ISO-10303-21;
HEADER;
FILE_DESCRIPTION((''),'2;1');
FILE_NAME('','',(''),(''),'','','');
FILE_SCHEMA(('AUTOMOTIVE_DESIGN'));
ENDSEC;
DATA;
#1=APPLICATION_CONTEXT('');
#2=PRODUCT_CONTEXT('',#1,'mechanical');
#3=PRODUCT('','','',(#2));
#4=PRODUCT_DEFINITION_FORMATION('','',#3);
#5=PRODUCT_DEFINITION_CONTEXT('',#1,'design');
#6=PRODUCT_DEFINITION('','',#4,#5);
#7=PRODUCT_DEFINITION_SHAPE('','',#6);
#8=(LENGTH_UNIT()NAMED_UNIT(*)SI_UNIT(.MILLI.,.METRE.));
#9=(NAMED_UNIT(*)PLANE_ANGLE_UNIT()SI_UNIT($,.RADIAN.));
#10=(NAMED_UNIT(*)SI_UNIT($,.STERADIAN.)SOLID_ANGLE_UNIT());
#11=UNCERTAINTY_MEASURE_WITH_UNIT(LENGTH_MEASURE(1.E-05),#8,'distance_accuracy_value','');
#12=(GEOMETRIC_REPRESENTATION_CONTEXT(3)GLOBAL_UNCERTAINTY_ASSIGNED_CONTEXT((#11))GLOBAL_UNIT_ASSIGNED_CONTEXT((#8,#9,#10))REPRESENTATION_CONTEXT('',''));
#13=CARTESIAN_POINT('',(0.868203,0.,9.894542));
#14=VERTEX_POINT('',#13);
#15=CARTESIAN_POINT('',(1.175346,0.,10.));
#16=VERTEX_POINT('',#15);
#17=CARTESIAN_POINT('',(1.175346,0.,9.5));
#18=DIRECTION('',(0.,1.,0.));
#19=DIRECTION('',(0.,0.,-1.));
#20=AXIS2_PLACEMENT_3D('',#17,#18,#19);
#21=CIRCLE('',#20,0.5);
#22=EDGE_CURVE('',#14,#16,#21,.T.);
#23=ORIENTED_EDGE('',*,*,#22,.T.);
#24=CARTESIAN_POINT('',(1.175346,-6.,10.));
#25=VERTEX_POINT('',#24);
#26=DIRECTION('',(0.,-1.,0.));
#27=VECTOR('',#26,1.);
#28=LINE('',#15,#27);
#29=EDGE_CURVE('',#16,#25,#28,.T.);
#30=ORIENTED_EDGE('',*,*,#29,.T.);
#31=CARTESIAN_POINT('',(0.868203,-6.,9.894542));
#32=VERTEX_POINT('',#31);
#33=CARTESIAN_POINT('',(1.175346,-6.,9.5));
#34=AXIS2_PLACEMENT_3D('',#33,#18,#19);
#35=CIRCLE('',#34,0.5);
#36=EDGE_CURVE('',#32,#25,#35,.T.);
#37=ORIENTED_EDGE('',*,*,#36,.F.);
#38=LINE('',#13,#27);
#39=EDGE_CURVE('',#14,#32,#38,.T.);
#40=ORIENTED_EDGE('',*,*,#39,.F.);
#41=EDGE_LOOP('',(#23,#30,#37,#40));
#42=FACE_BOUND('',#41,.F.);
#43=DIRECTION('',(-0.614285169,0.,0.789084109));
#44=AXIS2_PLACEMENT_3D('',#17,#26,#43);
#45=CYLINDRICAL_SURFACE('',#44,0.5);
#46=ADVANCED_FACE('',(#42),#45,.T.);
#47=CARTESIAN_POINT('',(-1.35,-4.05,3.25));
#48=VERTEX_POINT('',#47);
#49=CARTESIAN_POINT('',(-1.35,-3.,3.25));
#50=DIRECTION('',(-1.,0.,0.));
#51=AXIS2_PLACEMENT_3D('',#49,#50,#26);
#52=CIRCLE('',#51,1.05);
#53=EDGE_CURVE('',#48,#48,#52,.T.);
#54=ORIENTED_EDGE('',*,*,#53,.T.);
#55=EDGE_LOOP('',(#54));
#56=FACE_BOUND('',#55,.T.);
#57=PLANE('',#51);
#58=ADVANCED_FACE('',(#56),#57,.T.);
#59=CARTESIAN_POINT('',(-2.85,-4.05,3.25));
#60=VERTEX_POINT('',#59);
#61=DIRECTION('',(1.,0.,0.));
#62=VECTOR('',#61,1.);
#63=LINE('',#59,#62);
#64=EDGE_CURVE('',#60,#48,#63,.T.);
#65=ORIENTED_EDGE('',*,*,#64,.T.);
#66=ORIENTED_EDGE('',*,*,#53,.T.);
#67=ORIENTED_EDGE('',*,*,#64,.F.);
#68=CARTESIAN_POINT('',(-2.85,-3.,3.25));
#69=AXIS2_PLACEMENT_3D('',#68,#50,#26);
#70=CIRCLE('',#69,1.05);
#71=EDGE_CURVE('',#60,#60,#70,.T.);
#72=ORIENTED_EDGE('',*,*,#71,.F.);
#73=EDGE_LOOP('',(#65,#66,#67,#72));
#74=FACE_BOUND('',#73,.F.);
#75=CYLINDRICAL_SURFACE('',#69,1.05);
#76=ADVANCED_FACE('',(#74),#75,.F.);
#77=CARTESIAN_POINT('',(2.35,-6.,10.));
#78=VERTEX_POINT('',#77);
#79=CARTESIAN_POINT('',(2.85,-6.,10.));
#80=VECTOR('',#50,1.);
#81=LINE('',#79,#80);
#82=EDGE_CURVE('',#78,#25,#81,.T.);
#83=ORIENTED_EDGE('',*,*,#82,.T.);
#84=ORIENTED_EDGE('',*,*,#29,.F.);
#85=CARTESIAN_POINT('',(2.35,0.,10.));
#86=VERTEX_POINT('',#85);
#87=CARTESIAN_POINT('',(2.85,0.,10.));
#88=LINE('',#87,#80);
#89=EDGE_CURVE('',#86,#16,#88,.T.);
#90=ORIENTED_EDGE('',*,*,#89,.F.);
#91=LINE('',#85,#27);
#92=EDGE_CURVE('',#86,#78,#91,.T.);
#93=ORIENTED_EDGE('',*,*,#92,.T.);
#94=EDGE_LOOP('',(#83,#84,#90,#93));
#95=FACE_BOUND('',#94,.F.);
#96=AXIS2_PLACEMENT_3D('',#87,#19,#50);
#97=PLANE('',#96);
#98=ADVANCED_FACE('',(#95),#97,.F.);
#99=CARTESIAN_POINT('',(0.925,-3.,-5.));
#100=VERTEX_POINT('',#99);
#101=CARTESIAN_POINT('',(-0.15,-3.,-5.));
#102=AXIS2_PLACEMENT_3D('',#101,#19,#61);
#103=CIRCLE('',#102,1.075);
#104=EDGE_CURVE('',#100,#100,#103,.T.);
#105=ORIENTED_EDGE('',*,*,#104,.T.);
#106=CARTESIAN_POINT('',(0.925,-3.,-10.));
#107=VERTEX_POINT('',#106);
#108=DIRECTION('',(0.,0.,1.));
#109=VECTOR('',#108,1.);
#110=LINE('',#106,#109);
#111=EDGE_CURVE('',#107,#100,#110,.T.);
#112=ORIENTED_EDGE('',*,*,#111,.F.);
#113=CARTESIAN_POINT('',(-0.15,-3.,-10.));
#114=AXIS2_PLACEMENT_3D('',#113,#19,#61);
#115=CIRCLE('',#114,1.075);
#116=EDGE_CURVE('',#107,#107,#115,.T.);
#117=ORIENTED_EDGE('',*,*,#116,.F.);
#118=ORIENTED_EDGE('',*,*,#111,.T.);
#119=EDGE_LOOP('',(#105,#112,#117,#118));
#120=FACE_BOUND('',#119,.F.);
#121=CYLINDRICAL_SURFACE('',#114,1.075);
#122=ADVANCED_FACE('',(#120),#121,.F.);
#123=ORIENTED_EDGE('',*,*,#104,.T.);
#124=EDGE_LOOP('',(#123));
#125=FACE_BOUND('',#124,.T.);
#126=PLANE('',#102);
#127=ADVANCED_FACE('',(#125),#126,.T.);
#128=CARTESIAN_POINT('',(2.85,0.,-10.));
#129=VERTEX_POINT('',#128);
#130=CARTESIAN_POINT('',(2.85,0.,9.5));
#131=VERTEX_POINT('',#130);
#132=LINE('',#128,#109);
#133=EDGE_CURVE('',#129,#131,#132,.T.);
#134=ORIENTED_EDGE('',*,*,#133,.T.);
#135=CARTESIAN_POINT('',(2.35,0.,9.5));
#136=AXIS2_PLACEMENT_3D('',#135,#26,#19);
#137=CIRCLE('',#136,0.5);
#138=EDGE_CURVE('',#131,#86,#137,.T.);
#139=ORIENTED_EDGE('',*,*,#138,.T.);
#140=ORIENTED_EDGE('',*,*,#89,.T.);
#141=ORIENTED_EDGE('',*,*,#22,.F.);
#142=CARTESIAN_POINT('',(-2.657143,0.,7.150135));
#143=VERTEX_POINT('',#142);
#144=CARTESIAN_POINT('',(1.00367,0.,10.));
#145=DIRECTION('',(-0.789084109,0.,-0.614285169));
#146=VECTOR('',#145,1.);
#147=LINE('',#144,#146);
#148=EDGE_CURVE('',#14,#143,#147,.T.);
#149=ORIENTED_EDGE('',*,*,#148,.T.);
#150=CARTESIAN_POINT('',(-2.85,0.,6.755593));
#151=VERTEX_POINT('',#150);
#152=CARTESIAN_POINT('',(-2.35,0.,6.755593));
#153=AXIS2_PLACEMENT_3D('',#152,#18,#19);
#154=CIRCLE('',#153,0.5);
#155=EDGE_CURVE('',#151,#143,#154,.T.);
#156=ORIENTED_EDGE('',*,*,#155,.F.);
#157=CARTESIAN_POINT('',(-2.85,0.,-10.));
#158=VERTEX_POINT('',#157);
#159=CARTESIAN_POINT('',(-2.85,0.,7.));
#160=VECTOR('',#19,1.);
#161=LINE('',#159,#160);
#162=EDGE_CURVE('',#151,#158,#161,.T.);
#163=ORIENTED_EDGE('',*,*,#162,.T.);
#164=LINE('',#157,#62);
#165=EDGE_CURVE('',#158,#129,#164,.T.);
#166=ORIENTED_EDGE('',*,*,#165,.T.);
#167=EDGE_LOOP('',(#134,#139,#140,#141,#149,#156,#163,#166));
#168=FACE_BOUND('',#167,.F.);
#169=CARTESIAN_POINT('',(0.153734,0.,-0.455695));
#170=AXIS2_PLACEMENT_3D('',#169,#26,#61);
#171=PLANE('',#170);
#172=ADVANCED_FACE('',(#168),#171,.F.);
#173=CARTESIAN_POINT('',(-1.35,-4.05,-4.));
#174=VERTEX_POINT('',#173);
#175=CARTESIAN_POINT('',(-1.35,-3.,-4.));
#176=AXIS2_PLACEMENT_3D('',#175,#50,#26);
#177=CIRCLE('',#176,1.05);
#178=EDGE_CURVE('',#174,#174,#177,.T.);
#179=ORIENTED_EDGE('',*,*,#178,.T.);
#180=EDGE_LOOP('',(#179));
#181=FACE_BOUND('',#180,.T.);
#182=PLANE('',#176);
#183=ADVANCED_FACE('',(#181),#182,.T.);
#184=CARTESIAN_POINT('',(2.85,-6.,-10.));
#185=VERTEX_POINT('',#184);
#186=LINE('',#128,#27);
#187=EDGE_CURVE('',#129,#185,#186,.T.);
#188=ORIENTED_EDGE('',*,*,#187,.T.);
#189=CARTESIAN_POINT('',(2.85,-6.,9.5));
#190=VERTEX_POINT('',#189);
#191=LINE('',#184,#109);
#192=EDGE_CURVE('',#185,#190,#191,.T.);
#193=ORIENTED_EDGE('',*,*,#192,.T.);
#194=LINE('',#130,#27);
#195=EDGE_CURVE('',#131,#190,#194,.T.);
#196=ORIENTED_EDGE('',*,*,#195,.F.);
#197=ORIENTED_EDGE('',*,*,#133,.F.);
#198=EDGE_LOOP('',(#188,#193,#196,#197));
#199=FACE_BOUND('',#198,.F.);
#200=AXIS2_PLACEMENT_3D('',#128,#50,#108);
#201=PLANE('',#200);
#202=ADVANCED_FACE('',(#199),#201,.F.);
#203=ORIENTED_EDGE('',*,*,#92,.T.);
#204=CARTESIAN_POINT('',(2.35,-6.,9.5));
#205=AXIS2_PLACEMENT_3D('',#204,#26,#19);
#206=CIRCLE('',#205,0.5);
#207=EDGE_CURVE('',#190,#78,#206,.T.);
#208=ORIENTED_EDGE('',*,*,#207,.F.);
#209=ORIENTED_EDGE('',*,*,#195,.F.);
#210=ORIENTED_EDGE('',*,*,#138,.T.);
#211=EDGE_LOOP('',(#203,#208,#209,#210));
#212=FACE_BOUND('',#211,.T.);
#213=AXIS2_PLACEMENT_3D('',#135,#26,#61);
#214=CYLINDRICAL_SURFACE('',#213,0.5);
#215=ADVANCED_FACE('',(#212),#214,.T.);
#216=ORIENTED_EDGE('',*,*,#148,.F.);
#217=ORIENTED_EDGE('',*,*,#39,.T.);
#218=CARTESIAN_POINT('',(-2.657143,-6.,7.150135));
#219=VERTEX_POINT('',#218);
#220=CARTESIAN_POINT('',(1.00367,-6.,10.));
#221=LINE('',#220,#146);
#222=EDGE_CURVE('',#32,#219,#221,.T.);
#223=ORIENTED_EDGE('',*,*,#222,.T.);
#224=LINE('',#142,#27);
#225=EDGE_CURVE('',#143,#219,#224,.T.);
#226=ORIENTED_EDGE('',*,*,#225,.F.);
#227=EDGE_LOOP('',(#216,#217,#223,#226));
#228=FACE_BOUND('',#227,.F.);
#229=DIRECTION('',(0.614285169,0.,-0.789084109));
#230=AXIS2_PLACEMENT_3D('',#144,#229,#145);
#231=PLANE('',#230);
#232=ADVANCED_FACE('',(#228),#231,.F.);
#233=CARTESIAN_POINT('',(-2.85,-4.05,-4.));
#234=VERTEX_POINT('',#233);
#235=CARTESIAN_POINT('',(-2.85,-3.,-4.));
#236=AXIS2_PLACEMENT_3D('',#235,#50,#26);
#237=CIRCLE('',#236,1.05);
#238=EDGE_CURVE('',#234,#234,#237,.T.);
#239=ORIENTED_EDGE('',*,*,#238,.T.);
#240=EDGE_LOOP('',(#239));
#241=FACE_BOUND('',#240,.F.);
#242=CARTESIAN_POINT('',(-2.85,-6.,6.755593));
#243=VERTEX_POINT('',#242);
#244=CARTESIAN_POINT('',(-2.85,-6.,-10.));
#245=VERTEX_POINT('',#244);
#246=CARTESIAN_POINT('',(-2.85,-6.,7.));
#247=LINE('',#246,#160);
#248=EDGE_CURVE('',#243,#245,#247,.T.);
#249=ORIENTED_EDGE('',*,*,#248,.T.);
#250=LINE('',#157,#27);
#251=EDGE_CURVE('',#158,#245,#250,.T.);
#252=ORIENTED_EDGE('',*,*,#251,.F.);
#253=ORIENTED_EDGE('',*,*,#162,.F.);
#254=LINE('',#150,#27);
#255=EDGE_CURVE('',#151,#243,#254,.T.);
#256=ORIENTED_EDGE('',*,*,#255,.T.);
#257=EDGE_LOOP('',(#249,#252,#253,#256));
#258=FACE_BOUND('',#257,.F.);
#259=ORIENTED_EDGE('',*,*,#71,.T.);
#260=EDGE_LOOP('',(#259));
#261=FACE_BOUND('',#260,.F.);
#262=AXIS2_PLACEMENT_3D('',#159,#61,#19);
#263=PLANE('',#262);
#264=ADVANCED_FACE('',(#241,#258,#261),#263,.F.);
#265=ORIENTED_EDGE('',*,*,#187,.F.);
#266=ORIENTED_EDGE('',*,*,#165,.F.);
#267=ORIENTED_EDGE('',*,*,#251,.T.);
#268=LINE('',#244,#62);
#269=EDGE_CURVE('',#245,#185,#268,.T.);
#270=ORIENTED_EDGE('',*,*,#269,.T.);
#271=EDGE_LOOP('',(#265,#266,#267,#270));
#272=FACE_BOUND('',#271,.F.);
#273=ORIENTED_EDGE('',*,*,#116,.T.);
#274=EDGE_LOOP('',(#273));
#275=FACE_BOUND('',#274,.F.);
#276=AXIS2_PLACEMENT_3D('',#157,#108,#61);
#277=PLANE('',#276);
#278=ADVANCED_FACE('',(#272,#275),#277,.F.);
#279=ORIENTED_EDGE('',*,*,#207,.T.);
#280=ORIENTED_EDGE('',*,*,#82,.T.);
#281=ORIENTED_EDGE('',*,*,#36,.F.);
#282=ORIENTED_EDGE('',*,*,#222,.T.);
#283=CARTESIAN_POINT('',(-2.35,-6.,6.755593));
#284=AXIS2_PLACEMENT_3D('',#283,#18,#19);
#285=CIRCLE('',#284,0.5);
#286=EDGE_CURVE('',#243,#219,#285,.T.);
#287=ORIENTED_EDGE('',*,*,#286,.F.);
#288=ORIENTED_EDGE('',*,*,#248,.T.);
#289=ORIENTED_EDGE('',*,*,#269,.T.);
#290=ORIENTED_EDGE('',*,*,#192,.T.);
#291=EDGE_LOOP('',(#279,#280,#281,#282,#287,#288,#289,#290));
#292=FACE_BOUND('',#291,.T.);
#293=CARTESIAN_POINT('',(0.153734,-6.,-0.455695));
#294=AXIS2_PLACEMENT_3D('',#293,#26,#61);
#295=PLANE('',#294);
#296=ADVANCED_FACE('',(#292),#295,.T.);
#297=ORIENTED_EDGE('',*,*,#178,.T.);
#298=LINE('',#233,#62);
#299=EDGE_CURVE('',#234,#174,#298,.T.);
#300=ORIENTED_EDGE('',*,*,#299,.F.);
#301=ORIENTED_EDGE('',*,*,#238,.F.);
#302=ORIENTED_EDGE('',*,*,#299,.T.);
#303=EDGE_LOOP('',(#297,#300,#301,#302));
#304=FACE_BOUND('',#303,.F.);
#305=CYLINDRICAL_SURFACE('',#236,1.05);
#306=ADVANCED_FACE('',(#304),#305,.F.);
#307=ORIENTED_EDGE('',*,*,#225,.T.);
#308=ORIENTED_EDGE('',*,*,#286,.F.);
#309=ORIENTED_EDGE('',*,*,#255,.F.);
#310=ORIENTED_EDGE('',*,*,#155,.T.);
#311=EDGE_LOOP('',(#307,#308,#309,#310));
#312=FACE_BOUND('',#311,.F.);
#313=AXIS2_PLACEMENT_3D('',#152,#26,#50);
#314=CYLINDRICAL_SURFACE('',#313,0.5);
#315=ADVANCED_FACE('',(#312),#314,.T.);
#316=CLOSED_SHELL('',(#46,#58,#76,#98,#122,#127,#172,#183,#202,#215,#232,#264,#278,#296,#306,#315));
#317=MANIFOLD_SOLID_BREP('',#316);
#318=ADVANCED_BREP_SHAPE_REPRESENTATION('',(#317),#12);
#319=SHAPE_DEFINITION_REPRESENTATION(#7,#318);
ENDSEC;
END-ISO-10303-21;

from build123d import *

# Parameters (mm, degrees)
F1_DEPTH = 6
F2_R     = 1.05
F3_DEPTH = 1.5
F4_R     = 1.075
F5_DEPTH = 5
F6_R     = 0.5


with BuildPart() as f1:
    # F0 (on Front) → F1 (new body)
    with BuildSketch(Plane.XZ):
        Polygon((-2.85, -10), (2.85, -10), (2.85, 10), (1.00367, 10), (-2.85, 7), align=None)
    extrude(amount=F1_DEPTH)

    # F2 (on face) → F3 (cut)
    with BuildSketch(Plane(origin=(-2.85, 0, 0), x_dir=(0, -1, 0), z_dir=(-1, 0, 0))):
        with Locations((3, -4)):
            Circle(F2_R)
        with Locations((3, 3.25)):
            Circle(F2_R)
    extrude(amount=-F3_DEPTH, mode=Mode.SUBTRACT)

    # F4 (on face) → F5 (cut)
    with BuildSketch(Plane(origin=(0, 0, -10), x_dir=(1, 0, 0), z_dir=(0, 0, -1))):
        with Locations((-0.15, 3)):
            Circle(F4_R)
    extrude(amount=-F5_DEPTH, mode=Mode.SUBTRACT)

    # F6
    f6_edges = [f1.edges().sort_by_distance(p)[0] for p in [
        (2.85, -3, 10),
        (-2.85, -3, 7),
        (1.00367, -3, 10),
    ]]
    fillet(f6_edges, radius=F6_R)


solid = f1.part
